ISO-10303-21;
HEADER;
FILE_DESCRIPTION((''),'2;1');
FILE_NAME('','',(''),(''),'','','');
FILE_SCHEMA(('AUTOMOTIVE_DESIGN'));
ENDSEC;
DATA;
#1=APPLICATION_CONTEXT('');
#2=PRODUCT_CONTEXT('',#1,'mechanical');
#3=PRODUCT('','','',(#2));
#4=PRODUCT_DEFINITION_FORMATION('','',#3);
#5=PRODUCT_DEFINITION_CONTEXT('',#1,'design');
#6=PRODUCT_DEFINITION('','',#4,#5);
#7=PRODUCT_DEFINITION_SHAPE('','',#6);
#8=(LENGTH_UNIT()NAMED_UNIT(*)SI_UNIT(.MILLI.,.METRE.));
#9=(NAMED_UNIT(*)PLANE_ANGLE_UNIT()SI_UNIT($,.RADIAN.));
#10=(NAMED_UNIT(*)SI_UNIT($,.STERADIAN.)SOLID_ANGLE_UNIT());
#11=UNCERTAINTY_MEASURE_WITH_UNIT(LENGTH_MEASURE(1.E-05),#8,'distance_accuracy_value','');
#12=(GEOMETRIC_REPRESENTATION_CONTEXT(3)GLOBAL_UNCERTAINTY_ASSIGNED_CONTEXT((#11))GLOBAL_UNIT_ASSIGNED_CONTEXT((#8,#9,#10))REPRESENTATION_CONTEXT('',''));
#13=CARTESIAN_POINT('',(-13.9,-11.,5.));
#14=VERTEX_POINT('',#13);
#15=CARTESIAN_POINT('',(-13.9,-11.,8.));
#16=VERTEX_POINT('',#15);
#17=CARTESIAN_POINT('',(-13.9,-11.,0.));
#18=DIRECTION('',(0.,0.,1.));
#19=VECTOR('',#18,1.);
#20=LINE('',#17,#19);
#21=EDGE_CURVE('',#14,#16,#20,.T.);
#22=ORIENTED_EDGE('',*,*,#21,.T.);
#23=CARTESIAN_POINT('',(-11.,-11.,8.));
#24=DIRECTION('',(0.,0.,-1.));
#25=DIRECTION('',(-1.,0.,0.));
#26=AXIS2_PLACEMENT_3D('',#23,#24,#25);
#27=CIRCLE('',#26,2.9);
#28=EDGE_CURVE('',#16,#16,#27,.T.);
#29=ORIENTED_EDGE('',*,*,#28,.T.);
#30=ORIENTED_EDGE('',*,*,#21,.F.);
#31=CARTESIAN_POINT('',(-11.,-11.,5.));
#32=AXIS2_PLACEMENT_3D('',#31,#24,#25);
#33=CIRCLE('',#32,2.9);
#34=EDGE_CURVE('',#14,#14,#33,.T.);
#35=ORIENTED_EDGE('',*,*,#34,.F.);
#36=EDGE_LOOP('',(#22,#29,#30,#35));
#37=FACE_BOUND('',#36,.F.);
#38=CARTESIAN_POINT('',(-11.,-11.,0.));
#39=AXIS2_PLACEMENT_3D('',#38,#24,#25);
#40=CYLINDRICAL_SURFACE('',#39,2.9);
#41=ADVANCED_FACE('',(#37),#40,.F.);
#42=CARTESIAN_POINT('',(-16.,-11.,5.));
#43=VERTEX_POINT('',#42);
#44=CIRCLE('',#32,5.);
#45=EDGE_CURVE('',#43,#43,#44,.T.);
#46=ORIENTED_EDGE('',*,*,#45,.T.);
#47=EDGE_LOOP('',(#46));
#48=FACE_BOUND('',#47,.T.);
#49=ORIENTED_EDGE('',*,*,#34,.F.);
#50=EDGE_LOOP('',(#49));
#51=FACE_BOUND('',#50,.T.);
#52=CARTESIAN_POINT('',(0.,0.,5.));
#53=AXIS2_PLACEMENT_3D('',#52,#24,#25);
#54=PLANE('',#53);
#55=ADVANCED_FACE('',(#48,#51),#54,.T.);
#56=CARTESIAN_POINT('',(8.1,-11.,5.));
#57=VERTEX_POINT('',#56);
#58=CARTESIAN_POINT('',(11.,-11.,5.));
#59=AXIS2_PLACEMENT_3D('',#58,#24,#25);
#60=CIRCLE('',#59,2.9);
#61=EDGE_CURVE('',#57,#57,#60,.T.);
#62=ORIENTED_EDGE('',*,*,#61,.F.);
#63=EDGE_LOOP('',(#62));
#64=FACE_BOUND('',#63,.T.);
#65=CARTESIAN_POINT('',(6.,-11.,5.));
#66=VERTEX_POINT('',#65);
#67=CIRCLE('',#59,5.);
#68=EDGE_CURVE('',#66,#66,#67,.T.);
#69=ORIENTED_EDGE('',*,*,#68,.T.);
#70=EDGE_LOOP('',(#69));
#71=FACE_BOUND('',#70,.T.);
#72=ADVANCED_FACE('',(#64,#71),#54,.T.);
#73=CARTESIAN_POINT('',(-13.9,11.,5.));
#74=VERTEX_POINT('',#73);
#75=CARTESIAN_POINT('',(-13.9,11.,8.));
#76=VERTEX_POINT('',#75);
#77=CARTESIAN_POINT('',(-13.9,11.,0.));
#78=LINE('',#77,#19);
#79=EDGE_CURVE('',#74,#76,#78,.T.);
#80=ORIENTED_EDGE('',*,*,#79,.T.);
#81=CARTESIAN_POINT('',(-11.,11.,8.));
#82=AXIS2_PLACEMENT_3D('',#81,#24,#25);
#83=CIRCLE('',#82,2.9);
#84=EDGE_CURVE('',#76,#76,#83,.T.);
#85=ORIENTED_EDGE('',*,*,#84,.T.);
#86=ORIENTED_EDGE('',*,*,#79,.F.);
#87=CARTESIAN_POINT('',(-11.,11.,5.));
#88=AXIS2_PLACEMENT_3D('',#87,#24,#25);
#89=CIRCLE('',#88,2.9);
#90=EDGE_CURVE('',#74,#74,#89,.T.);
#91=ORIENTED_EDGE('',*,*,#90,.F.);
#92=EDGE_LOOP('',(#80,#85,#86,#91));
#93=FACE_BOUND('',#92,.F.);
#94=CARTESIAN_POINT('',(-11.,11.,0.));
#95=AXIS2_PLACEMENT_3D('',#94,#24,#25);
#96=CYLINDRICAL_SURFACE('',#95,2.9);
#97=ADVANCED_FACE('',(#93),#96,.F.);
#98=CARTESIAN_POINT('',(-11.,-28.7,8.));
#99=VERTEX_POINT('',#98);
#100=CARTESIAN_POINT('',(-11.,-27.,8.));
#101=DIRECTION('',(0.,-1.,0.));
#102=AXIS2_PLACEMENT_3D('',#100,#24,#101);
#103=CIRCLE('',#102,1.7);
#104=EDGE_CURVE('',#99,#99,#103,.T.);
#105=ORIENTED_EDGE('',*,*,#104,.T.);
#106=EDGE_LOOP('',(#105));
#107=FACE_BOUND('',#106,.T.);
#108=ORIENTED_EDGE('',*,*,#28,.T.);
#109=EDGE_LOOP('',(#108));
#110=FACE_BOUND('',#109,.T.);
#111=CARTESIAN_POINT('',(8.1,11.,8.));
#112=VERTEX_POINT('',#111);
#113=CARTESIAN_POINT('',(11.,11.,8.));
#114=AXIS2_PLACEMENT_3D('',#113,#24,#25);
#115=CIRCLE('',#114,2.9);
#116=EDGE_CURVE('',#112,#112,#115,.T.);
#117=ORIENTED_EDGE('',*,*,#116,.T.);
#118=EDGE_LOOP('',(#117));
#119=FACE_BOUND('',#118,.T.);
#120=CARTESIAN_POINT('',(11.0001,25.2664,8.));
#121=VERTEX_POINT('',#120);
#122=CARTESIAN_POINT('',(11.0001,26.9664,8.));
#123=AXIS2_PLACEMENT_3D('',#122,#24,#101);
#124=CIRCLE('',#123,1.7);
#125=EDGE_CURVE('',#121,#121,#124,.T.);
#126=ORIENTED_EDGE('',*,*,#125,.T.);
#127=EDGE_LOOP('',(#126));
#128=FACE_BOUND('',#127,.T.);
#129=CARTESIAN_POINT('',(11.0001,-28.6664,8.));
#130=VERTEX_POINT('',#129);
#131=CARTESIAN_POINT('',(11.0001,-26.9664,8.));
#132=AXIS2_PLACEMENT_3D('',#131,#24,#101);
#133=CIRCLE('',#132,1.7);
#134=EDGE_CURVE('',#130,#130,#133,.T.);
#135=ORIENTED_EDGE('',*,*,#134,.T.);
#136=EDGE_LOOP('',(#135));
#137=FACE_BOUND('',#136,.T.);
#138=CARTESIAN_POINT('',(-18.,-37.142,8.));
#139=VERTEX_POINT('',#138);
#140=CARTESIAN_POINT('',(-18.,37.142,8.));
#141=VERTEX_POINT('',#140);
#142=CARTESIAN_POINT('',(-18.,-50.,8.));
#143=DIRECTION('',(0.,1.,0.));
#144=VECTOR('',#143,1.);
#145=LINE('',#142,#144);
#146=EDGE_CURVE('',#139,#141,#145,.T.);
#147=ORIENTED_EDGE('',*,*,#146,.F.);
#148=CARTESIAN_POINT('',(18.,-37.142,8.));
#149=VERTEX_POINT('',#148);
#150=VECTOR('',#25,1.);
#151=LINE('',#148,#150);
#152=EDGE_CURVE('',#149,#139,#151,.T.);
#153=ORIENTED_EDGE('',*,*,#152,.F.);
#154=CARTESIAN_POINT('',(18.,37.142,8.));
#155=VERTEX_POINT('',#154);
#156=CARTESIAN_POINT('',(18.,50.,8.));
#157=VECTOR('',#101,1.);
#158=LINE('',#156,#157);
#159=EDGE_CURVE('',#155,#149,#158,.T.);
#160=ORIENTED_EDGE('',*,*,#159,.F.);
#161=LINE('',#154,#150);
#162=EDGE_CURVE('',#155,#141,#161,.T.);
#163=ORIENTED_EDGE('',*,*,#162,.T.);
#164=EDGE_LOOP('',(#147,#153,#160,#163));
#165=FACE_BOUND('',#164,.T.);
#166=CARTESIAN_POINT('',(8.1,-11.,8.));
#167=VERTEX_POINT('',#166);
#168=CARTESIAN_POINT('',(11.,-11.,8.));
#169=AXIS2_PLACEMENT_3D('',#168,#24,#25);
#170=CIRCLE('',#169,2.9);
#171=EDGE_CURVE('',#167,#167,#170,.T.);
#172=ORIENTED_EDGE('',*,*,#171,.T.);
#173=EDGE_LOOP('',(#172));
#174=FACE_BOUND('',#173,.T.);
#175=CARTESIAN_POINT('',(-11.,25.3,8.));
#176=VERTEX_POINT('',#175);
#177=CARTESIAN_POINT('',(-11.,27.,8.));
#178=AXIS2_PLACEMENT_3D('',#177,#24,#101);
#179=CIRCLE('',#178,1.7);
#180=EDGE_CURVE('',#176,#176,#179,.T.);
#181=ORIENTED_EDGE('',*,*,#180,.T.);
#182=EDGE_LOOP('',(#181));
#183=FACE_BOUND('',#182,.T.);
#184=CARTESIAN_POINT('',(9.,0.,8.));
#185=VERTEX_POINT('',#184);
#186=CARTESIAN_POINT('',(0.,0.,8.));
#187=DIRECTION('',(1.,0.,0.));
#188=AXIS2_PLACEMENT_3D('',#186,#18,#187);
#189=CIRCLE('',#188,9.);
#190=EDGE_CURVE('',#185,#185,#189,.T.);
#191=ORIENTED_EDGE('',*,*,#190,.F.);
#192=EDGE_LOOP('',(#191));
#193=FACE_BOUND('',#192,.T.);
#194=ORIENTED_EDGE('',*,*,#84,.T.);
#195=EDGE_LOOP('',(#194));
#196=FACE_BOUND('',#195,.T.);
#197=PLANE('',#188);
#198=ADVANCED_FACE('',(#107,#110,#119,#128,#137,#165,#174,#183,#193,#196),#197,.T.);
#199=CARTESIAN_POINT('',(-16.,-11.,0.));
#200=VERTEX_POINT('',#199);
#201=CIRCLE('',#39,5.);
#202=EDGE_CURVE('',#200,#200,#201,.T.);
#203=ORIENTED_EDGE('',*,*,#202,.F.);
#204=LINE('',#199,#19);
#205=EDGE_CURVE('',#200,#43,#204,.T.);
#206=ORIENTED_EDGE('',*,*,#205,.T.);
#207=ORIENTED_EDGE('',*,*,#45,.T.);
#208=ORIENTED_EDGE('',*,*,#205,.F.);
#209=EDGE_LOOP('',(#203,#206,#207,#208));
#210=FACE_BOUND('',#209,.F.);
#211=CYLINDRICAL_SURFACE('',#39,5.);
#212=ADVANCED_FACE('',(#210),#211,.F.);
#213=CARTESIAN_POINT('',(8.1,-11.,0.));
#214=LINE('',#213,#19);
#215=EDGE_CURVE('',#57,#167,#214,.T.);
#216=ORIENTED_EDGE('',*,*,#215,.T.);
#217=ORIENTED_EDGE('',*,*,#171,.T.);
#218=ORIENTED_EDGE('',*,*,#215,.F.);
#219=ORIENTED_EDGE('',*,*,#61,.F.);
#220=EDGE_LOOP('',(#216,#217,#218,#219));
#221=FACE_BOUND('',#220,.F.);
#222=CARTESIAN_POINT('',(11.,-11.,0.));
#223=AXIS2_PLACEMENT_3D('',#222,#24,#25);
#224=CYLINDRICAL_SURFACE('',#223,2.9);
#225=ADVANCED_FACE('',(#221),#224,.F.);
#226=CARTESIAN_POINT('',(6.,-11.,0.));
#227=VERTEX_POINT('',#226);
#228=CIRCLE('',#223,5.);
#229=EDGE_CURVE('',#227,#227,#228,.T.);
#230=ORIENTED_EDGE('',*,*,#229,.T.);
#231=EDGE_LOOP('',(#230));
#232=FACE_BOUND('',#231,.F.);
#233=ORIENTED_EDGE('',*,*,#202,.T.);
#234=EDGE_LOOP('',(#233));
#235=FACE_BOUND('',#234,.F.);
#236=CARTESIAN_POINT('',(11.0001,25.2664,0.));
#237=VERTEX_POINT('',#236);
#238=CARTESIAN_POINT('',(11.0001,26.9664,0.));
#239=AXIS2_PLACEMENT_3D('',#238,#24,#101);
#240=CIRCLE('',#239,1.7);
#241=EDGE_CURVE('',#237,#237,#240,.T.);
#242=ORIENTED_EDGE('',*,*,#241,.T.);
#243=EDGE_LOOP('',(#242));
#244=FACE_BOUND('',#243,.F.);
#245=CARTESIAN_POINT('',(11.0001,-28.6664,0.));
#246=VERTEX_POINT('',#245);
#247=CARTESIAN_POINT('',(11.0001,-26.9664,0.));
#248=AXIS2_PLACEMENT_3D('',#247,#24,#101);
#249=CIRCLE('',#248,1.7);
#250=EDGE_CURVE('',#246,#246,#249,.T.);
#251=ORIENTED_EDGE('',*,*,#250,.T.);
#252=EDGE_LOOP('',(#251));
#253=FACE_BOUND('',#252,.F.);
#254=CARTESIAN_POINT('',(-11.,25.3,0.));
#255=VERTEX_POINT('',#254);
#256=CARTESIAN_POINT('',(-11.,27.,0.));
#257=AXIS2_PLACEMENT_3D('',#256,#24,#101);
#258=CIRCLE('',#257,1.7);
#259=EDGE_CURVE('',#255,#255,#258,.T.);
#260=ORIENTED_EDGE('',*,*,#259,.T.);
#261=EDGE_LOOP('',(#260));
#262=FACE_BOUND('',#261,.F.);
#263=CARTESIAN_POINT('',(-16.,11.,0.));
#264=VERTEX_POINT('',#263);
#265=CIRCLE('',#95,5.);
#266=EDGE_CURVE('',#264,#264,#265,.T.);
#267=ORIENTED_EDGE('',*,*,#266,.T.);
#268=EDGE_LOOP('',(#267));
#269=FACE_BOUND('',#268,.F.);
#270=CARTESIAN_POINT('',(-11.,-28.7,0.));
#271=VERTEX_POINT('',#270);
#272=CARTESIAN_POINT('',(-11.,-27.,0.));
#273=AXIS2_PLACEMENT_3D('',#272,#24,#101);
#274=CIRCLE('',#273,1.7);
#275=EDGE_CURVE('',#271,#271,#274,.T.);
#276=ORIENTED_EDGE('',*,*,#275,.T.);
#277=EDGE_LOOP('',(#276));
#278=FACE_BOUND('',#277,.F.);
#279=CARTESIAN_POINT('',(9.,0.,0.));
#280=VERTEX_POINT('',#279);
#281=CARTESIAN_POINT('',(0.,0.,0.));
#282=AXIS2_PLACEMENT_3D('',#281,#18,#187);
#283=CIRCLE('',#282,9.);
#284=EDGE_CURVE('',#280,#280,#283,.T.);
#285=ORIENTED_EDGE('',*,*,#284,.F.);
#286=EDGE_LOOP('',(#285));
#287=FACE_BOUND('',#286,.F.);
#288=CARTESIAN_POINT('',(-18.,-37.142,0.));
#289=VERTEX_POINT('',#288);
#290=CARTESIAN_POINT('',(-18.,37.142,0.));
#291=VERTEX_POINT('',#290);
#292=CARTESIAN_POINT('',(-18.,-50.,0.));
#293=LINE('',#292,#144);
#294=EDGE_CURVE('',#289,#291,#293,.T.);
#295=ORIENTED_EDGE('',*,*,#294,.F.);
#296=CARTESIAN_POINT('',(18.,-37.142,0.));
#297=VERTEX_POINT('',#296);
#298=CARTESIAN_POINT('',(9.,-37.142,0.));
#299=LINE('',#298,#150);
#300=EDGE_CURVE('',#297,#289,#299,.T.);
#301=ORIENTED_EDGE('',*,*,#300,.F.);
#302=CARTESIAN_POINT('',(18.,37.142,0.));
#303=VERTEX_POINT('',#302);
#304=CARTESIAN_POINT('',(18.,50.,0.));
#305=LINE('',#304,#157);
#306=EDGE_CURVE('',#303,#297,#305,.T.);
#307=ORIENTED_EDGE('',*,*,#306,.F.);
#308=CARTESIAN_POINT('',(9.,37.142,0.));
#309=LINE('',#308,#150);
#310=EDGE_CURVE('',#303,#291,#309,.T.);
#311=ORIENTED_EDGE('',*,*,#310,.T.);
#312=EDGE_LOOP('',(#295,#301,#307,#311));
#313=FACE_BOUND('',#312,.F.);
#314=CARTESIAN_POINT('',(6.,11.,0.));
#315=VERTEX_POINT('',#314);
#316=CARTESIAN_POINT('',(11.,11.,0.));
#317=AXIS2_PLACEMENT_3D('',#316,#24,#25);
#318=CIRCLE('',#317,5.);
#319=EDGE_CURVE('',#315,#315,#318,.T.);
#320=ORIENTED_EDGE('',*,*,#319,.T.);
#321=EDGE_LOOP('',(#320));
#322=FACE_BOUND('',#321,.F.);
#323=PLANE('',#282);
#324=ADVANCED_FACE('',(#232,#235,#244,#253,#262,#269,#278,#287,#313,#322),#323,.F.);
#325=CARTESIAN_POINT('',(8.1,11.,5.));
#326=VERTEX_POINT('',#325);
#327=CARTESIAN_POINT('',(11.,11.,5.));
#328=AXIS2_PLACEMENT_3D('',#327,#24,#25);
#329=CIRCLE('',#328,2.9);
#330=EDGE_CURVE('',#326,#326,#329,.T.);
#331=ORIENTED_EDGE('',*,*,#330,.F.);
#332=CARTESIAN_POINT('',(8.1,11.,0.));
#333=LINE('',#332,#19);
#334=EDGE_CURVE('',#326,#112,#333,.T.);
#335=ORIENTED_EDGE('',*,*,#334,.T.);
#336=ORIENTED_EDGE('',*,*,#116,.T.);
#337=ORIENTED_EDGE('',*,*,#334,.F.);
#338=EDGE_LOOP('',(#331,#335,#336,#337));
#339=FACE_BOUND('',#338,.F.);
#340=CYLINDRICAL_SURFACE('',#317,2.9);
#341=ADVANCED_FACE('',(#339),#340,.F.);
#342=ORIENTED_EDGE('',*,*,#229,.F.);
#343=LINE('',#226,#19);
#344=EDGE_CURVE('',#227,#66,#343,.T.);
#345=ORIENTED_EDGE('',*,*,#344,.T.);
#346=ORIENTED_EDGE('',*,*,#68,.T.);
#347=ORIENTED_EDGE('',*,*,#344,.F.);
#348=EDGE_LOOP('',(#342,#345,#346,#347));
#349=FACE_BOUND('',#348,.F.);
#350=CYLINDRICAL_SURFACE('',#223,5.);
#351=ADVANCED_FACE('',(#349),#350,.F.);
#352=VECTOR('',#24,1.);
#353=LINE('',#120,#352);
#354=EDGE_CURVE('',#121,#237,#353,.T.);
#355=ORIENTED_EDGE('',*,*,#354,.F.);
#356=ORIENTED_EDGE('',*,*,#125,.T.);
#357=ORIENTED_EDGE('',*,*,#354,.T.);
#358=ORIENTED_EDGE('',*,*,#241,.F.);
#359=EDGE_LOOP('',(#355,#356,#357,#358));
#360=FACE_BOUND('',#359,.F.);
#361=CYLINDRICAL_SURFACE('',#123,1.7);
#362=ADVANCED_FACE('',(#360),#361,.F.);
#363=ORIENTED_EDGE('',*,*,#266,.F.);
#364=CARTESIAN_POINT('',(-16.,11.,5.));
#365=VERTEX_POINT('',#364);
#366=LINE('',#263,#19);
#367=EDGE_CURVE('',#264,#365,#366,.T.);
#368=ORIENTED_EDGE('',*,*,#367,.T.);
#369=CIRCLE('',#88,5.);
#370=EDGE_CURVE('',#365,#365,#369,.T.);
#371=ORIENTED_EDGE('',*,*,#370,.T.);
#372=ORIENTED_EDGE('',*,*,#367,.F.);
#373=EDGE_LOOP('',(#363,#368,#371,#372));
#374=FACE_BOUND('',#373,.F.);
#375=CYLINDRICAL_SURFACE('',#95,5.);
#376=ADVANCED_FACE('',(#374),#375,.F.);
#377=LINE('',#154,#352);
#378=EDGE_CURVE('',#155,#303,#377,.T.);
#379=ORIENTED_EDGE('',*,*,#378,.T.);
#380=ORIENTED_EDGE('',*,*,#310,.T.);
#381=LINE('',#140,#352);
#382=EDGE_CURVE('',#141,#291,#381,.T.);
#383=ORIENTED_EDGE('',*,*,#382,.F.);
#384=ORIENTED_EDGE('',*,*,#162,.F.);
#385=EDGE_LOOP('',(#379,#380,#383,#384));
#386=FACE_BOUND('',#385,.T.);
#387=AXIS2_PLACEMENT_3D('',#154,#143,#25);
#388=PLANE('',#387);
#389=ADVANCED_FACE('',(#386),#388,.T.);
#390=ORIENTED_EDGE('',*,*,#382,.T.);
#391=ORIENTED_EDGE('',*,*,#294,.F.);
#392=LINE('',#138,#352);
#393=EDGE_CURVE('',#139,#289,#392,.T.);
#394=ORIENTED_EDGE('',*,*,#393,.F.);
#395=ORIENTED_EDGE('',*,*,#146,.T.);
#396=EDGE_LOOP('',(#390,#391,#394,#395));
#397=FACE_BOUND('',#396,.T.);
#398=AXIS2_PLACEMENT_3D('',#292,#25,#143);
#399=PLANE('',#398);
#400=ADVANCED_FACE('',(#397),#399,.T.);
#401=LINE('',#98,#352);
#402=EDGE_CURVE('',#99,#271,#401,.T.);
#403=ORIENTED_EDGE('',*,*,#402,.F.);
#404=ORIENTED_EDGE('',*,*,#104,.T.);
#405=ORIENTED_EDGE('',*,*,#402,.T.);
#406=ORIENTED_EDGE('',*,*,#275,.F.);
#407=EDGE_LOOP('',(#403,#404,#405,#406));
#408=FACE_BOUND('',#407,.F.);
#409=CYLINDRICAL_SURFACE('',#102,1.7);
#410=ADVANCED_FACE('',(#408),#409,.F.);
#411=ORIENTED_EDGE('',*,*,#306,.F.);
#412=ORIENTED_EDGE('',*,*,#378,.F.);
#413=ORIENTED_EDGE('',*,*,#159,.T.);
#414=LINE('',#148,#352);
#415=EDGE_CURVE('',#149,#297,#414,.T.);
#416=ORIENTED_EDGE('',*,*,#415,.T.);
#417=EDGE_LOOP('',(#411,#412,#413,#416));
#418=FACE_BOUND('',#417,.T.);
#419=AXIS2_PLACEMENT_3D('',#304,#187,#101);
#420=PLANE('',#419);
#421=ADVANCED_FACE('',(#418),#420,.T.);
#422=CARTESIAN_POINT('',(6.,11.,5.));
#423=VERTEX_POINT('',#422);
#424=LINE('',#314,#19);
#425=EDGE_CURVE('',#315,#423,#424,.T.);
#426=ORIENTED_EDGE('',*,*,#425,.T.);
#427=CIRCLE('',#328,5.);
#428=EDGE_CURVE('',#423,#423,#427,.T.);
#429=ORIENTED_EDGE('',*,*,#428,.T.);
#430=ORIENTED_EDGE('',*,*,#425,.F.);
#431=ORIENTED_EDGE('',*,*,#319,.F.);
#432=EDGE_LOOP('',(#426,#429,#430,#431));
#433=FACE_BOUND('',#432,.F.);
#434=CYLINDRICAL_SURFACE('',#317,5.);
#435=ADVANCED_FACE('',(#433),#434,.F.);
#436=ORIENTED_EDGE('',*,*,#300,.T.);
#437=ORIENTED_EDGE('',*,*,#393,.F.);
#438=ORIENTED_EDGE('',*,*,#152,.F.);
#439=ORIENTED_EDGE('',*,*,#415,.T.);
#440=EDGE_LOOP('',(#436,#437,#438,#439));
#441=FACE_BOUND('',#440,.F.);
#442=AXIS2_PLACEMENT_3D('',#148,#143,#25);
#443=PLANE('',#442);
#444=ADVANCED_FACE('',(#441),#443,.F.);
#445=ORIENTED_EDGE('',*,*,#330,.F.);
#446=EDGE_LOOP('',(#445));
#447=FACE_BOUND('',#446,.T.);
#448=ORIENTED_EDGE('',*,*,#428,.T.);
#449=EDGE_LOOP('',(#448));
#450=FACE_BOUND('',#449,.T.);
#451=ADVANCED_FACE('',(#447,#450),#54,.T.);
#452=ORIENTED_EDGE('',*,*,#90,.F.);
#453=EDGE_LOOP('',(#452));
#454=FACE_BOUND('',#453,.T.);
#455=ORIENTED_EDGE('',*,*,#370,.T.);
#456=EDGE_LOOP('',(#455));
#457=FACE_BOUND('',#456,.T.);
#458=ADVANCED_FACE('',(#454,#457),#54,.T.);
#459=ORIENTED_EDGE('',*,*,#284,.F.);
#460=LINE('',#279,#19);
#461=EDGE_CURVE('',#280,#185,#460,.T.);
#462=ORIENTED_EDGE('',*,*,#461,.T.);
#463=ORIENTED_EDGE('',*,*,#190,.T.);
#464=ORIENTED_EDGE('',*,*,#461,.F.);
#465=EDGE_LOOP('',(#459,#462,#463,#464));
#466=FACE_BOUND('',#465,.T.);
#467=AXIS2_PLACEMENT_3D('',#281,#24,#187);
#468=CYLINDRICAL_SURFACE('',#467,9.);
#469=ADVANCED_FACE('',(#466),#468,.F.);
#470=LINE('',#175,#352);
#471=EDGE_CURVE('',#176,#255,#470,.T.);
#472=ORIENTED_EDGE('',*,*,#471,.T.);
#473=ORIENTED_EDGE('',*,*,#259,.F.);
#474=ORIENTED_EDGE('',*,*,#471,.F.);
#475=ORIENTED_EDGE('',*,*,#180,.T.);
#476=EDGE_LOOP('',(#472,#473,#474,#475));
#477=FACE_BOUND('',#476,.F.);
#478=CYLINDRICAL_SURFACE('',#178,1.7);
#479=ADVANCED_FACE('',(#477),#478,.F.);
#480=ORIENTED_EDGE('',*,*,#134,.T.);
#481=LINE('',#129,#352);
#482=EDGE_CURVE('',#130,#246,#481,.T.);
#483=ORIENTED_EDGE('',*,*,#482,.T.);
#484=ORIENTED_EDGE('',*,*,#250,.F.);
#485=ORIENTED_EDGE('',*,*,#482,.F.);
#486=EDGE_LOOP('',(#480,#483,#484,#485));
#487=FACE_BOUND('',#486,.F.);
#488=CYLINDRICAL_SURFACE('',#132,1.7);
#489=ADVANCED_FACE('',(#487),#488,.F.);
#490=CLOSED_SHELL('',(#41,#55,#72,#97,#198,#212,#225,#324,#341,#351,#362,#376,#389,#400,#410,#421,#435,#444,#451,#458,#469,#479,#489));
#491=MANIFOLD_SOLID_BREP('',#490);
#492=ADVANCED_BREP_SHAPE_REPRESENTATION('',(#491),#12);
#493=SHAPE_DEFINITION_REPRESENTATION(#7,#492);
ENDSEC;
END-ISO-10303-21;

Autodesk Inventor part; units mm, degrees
ref_plane "YZ Plane" through (0, 0, 0) normal (1, 0, 0) x (0, 1, 0)
ref_plane "XZ Plane" through (0, 0, 0) normal (0, 1, 0) x (-1, 0, 0)
ref_plane "XY Plane" through (0, 0, 0) normal (0, 0, 1) x (1, 0, 0)
sketch "Sketch1" plane through (0, 0, 0) normal (0, 0, 1) x (1, 0, 0)
  line L0 (0, -50) -> (-18, -50)
  line L1 (-18, -50) -> (-18, 50)
  line L2 (-18, 50) -> (18, 50)
  line L3 (18, 50) -> (18, -50)
  line L4 (18, -50) -> (0, -50)
  circle A0 centre (0, 0) radius 9
extrude "Extrusion2" add sketch "Sketch1" along normal blind 8
sketch "Sketch3" plane through (0, 0, 8) normal (0, 0, 1) x (1, 0, 0)
  line L0 (-18, 0) -> (18, 0) construction
  line L1 (18, 50) -> (18, -50) construction
  line L2 (-18, 50) -> (-18, -50) construction
  line L3 (-18, -50) -> (18, -50) projected
  line L4 (-18, -50) -> (18, -50)
  line L5 (18, -50) -> (18, -38)
  line L6 (18, -38) -> (-18, -38)
  line L7 (-18, -38) -> (-18, -50)
  line L8 (18, 50) -> (-18, 50) projected
  line L9 (-18, 50) -> (18, 50)
  line L10 (18, 50) -> (18, 38)
  line L11 (18, 38) -> (-18, 38)
  line L12 (-18, 38) -> (-18, 50)
  point P0 (0, 0)
  point P1 (-11, -27)
  point P2 (11.0001, -26.9664)
  point P3 (-11, 27)
  point P4 (11.0001, 26.9664)
  dimension "d57" = 36
  dimension "d58" = 12
  dimension "d59" = 36
  dimension "d60" = 12
hole "Hole1" at (-11, -27, 8) at (11.0001, -26.9664, 8) at (-11, 27, 8) at (11.0001, 26.9664, 8) direction (0, 0, -1) diameter 3.4 end through all clearance for "Countersunk Flat Head Screw ISO 2009/7046" size "M3" standard "ISO"
sketch "Sketch6" plane through (0, 0, 0) normal (0, 0, -1) x (-1, 0, 0)
  circle A0 centre (-11, -11) radius 2.9
  circle A1 centre (11, -11) radius 2.9
  circle A2 centre (11, 11) radius 2.9
  circle A3 centre (-11, 11) radius 2.9
  point P0 (0, 0)
extrude "Extrusion5" cut sketch "Sketch6" against normal through all
sketch "Sketch7" plane through (0, 0, 0) normal (0, 0, -1) x (-1, 0, 0)
  circle A0 centre (-11, -11) radius 2.9 projected
  circle A1 centre (-11, -11) radius 5
  circle A2 centre (-11, 11) radius 2.9 projected
  circle A3 centre (-11, 11) radius 5
  circle A4 centre (11, 11) radius 2.9 projected
  circle A5 centre (11, 11) radius 5
  circle A6 centre (11, -11) radius 2.9 projected
  circle A7 centre (11, -11) radius 5
  point P0 (0, 0)
  dimension "d44" = 10
  dimension "d45" = 10
  dimension "d46" = 10
  dimension "d47" = 10
extrude "Extrusion6" cut sketch "Sketch7" against normal blind 5
sketch "Sketch8" plane through (0, 0, 8) normal (0, 0, 1) x (1, 0, 0)
  line L0 (-18, 50) -> (-18, -50) projected
  line L1 (18, -49.142) -> (18, -37.142)
  line L2 (18, -37.142) -> (-18, -37.142)
  line L3 (-18, -37.142) -> (-18, -49.142)
  line L4 (18, 49.142) -> (18, 37.142)
  line L5 (18, 37.142) -> (-18, 37.142)
  line L6 (-18, 37.142) -> (-18, 49.142)
  line L7 (-18, -50) -> (18, -50) projected
  line L8 (18, -37.142) -> (-18, -37.142)
  line L9 (-18, -37.142) -> (-18, -50)
  line L10 (-18, -50) -> (18, -50)
  line L11 (18, -50) -> (18, -37.142)
  line L12 (-18, 50) -> (18, 50) projected
  line L13 (18, 37.142) -> (-18, 37.142)
  line L14 (-18, 37.142) -> (-18, 50)
  line L15 (-18, 50) -> (18, 50)
  line L16 (18, 50) -> (18, 37.142)
  point P0 (0, 0)
  dimension "d61" = 36
  dimension "d62" = 12
  dimension "d63" = 36
  dimension "d64" = 12
extrude "Extrusion7" cut sketch "Sketch8" against normal through all
properties part number "MOJ KOLNIERZ" material "Stainless Steel, Austenitic"
